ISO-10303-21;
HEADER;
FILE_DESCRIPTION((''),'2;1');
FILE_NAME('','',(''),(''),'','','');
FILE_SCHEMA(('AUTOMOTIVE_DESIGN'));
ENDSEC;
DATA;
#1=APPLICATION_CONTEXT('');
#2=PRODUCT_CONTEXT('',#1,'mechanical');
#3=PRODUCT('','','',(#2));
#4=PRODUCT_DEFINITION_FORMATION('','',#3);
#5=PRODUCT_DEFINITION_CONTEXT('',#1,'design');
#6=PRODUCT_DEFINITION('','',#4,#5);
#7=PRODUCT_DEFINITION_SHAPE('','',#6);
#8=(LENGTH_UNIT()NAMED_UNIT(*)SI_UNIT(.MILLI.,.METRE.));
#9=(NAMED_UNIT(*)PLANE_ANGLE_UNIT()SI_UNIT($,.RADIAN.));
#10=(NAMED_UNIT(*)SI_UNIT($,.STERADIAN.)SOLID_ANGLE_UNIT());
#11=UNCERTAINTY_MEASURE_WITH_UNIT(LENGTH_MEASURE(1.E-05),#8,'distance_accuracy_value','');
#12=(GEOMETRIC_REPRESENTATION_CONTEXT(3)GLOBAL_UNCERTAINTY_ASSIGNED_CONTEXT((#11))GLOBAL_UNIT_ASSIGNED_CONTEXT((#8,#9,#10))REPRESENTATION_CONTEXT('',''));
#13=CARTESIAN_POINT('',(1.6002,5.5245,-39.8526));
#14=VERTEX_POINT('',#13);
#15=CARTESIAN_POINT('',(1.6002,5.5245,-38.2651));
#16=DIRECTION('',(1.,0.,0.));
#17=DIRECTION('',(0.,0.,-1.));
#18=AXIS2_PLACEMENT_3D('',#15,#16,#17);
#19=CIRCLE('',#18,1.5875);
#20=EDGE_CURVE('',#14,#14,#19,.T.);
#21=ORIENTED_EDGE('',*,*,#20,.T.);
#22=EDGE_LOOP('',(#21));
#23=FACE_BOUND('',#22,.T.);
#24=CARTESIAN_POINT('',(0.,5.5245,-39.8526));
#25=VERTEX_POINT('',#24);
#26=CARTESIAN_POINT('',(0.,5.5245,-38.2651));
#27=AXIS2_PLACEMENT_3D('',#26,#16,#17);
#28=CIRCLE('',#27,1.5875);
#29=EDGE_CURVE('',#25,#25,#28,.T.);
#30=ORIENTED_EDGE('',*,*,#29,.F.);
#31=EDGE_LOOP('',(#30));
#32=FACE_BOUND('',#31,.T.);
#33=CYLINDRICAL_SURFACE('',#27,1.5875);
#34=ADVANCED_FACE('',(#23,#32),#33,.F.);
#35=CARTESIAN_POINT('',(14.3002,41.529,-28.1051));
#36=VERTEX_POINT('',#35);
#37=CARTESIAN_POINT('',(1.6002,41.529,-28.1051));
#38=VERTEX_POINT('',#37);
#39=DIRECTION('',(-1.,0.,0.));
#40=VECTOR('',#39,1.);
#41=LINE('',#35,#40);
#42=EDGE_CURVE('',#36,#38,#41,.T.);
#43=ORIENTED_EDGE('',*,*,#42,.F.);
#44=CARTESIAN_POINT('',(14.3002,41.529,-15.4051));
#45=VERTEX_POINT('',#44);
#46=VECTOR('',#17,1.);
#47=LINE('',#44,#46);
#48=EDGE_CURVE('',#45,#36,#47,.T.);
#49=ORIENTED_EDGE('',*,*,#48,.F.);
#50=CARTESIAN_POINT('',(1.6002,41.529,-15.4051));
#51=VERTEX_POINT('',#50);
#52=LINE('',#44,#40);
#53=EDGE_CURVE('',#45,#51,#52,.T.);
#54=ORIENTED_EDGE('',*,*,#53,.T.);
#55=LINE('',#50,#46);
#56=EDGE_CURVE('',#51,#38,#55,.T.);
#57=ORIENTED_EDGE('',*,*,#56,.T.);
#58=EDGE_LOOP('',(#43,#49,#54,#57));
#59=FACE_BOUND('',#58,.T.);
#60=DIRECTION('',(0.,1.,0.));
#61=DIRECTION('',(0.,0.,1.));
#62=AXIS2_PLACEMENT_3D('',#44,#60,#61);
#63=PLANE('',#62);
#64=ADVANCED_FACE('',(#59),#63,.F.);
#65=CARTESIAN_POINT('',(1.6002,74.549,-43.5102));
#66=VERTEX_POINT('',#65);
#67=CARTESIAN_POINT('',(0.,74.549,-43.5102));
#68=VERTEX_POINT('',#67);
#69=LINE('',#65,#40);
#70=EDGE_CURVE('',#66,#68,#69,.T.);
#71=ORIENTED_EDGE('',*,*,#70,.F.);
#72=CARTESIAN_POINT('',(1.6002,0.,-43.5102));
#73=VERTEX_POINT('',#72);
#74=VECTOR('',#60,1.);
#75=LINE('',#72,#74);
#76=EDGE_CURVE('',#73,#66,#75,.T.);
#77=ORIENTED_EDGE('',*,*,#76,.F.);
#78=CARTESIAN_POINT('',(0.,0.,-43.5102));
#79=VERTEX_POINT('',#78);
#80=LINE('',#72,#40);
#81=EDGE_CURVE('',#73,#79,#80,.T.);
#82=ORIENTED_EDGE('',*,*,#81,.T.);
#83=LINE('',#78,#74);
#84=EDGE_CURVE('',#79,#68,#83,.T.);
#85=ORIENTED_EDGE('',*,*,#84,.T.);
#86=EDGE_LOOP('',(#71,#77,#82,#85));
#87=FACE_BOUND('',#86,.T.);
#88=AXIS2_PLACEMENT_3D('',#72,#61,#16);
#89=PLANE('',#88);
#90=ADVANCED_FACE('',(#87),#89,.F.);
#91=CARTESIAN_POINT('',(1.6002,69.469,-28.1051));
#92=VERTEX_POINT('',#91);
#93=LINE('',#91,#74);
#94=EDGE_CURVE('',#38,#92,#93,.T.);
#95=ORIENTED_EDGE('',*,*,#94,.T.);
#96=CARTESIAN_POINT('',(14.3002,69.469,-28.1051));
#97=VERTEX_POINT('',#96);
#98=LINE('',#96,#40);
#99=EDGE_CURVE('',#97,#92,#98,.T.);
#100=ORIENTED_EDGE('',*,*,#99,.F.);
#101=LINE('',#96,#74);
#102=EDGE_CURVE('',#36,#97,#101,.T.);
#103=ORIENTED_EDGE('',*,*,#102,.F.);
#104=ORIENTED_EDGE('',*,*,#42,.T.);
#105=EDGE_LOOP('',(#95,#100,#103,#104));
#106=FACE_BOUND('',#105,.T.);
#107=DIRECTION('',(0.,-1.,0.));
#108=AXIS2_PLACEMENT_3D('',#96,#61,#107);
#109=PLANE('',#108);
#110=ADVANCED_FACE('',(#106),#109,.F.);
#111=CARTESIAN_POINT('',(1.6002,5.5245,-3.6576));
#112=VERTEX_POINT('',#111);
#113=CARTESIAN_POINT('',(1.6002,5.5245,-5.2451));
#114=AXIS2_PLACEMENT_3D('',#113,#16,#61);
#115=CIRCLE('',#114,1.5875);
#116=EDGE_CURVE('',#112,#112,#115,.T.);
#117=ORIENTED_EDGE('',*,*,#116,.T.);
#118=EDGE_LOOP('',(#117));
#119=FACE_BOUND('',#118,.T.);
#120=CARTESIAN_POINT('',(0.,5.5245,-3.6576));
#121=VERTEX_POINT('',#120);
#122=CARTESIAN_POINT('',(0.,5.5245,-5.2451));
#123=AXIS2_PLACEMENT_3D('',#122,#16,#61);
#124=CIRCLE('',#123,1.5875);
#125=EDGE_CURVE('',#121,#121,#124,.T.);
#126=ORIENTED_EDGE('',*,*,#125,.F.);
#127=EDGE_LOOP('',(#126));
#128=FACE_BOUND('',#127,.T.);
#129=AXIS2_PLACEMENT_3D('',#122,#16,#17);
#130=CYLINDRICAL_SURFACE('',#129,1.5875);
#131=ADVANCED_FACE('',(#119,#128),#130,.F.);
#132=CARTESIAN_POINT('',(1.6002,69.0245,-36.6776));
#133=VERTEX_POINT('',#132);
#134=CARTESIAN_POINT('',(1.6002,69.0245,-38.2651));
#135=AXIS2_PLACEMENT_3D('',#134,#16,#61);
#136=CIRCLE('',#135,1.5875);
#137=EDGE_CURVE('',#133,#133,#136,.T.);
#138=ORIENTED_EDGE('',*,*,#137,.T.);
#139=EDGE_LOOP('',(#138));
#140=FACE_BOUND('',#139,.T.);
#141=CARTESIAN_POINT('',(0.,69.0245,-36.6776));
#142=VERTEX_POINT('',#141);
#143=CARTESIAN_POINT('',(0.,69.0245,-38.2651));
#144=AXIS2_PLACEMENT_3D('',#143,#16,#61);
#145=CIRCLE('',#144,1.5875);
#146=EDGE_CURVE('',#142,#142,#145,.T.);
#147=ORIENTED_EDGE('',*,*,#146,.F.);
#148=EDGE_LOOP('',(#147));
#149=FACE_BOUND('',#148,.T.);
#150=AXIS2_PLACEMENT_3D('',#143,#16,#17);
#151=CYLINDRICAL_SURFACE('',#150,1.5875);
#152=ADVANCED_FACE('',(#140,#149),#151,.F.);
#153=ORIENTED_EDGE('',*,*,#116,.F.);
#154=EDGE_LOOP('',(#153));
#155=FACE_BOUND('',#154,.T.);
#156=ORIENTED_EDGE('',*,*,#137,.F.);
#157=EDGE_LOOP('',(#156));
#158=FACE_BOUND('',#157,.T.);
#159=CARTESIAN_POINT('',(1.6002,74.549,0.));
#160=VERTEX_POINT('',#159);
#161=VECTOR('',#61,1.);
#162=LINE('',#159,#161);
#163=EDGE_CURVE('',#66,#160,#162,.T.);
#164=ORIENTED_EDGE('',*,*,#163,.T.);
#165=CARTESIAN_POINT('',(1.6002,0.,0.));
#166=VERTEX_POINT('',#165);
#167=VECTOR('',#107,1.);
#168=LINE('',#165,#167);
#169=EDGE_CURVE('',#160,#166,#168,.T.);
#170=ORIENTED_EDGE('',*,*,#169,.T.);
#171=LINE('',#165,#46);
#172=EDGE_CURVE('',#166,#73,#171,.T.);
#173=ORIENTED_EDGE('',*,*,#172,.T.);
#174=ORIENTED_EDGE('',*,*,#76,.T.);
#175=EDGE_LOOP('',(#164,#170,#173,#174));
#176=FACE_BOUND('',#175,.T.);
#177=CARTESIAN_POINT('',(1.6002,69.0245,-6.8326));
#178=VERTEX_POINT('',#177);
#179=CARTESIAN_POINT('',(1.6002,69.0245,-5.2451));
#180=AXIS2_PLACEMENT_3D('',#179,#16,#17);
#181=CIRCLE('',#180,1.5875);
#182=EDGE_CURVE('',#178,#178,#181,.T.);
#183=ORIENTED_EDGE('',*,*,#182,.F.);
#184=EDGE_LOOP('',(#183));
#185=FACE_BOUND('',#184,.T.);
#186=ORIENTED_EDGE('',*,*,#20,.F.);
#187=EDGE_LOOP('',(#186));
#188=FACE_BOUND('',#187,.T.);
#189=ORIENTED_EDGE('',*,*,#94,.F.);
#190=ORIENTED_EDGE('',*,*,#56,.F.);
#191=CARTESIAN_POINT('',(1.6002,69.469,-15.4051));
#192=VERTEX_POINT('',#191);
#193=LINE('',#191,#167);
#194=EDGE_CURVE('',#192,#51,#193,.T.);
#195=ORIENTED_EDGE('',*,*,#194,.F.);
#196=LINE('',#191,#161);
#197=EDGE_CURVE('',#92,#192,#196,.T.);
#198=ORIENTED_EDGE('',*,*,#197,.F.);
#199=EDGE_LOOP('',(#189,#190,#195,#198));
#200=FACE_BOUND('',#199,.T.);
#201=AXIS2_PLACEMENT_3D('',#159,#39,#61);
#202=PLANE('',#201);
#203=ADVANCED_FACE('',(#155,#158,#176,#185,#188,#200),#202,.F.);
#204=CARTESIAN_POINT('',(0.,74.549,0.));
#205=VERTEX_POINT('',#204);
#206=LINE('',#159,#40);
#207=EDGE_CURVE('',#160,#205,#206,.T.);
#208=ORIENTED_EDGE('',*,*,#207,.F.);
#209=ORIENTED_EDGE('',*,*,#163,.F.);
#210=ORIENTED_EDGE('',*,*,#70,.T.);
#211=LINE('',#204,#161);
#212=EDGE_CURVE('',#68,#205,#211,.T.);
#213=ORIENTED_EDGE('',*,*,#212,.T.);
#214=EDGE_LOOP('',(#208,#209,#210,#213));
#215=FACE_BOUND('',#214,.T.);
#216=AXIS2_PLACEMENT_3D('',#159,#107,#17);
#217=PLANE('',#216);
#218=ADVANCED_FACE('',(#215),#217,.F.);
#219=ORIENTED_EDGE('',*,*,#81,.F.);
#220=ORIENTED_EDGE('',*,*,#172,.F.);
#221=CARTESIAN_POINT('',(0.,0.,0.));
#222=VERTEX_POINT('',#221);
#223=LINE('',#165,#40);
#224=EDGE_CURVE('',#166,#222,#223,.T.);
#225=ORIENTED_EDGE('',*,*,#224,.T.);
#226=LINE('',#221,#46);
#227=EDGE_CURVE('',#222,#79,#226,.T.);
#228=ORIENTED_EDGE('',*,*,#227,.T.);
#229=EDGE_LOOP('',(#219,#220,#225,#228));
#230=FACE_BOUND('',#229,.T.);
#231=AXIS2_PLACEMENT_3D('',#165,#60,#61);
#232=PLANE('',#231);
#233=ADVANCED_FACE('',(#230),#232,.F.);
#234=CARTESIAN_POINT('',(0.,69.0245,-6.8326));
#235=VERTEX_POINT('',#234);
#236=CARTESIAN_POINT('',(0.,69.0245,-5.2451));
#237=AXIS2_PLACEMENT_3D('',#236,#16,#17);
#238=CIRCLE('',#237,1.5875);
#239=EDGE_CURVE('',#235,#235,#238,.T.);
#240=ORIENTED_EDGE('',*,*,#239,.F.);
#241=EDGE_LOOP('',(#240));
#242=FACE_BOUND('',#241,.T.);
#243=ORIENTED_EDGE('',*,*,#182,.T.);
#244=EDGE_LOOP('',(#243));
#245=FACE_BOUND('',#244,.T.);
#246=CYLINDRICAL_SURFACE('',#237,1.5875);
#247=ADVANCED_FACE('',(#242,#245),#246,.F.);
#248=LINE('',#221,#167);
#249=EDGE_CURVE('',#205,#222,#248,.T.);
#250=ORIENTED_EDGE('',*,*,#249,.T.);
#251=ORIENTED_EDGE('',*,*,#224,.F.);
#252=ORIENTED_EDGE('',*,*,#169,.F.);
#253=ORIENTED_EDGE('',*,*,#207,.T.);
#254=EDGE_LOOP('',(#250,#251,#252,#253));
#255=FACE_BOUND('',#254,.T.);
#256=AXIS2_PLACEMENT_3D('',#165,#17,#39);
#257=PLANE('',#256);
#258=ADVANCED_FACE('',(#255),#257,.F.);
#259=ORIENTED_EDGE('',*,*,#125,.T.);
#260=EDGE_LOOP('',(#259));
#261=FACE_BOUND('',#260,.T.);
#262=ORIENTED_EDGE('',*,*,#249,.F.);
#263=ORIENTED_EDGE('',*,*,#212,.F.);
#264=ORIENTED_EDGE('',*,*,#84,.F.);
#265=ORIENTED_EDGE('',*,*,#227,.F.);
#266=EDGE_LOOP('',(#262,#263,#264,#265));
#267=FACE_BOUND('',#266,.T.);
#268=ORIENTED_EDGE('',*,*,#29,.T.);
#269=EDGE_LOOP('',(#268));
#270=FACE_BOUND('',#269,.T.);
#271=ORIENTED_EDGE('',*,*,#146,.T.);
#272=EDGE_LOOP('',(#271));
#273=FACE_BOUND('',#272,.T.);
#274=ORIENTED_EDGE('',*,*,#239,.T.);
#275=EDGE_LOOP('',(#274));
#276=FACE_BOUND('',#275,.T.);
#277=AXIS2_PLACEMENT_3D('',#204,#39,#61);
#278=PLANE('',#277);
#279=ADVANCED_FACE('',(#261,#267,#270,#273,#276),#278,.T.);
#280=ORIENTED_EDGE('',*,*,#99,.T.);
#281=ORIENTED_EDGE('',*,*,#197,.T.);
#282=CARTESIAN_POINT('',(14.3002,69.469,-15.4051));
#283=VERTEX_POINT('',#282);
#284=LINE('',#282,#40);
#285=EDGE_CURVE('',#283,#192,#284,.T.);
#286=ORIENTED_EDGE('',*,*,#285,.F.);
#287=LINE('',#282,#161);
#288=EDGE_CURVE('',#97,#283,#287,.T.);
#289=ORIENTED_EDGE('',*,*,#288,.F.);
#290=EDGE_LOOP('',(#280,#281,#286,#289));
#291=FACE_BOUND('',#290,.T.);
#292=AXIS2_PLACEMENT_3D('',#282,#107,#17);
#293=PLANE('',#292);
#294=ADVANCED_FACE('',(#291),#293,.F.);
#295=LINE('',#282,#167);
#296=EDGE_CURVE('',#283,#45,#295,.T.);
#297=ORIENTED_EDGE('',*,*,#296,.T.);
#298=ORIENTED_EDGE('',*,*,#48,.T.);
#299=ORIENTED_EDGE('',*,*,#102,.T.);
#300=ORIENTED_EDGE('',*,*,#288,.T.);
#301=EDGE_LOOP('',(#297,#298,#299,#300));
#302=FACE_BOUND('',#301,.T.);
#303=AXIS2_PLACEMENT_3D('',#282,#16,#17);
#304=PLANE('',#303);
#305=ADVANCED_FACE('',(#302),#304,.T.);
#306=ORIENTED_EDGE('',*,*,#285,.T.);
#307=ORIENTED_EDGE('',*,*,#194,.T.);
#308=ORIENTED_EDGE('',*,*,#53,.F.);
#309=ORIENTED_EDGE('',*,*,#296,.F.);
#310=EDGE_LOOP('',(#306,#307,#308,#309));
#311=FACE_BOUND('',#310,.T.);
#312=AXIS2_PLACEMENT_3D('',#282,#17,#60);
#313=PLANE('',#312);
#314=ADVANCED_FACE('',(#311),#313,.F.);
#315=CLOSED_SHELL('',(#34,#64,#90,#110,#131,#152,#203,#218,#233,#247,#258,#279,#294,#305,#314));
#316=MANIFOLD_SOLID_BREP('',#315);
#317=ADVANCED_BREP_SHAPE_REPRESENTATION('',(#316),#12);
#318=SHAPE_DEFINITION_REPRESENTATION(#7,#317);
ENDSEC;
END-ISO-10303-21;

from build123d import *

# Parameters (mm, degrees)
SKETCH1_W          = 43.5102
SKETCH1_H          = 74.549
EXTRUDE1_DEPTH     = 1.6002
SKETCH2_R          = 1.5875
CUT_EXTRUDE1_DEPTH = 2.6002
SKETCH3_W          = 12.7
SKETCH3_H          = 27.94
EXTRUDE2_DEPTH     = 12.7


with BuildPart() as part:
    # Sketch1 → Extrude1 (new body)
    with BuildSketch(Plane(origin=(0, 0, 0), x_dir=(0, 0, -1), z_dir=(1, 0, 0))):
        with Locations((21.7551, 37.2745)):
            Rectangle(SKETCH1_W, SKETCH1_H)
    extrude(amount=EXTRUDE1_DEPTH)

    # Sketch2 → Cut-Extrude1 (cut, through all)
    with BuildSketch(Plane(origin=(1.6002, 0, 0), x_dir=(0, 0, -1), z_dir=(1, 0, 0))):
        with Locations((5.2451, 69.0245)):
            Circle(SKETCH2_R)
        with Locations((38.2651, 69.0245)):
            Circle(SKETCH2_R)
        with Locations((38.2651, 5.5245)):
            Circle(SKETCH2_R)
        with Locations((5.2451, 5.5245)):
            Circle(SKETCH2_R)
    extrude(amount=-CUT_EXTRUDE1_DEPTH, mode=Mode.SUBTRACT)

    # Sketch3 → Extrude2 (add)
    with BuildSketch(Plane(origin=(1.6002, 0, 0), x_dir=(0, 0, -1), z_dir=(1, 0, 0))):
        with Locations((21.7551, 55.499)):
            Rectangle(SKETCH3_W, SKETCH3_H)
    extrude(amount=EXTRUDE2_DEPTH)


solid = part.part
